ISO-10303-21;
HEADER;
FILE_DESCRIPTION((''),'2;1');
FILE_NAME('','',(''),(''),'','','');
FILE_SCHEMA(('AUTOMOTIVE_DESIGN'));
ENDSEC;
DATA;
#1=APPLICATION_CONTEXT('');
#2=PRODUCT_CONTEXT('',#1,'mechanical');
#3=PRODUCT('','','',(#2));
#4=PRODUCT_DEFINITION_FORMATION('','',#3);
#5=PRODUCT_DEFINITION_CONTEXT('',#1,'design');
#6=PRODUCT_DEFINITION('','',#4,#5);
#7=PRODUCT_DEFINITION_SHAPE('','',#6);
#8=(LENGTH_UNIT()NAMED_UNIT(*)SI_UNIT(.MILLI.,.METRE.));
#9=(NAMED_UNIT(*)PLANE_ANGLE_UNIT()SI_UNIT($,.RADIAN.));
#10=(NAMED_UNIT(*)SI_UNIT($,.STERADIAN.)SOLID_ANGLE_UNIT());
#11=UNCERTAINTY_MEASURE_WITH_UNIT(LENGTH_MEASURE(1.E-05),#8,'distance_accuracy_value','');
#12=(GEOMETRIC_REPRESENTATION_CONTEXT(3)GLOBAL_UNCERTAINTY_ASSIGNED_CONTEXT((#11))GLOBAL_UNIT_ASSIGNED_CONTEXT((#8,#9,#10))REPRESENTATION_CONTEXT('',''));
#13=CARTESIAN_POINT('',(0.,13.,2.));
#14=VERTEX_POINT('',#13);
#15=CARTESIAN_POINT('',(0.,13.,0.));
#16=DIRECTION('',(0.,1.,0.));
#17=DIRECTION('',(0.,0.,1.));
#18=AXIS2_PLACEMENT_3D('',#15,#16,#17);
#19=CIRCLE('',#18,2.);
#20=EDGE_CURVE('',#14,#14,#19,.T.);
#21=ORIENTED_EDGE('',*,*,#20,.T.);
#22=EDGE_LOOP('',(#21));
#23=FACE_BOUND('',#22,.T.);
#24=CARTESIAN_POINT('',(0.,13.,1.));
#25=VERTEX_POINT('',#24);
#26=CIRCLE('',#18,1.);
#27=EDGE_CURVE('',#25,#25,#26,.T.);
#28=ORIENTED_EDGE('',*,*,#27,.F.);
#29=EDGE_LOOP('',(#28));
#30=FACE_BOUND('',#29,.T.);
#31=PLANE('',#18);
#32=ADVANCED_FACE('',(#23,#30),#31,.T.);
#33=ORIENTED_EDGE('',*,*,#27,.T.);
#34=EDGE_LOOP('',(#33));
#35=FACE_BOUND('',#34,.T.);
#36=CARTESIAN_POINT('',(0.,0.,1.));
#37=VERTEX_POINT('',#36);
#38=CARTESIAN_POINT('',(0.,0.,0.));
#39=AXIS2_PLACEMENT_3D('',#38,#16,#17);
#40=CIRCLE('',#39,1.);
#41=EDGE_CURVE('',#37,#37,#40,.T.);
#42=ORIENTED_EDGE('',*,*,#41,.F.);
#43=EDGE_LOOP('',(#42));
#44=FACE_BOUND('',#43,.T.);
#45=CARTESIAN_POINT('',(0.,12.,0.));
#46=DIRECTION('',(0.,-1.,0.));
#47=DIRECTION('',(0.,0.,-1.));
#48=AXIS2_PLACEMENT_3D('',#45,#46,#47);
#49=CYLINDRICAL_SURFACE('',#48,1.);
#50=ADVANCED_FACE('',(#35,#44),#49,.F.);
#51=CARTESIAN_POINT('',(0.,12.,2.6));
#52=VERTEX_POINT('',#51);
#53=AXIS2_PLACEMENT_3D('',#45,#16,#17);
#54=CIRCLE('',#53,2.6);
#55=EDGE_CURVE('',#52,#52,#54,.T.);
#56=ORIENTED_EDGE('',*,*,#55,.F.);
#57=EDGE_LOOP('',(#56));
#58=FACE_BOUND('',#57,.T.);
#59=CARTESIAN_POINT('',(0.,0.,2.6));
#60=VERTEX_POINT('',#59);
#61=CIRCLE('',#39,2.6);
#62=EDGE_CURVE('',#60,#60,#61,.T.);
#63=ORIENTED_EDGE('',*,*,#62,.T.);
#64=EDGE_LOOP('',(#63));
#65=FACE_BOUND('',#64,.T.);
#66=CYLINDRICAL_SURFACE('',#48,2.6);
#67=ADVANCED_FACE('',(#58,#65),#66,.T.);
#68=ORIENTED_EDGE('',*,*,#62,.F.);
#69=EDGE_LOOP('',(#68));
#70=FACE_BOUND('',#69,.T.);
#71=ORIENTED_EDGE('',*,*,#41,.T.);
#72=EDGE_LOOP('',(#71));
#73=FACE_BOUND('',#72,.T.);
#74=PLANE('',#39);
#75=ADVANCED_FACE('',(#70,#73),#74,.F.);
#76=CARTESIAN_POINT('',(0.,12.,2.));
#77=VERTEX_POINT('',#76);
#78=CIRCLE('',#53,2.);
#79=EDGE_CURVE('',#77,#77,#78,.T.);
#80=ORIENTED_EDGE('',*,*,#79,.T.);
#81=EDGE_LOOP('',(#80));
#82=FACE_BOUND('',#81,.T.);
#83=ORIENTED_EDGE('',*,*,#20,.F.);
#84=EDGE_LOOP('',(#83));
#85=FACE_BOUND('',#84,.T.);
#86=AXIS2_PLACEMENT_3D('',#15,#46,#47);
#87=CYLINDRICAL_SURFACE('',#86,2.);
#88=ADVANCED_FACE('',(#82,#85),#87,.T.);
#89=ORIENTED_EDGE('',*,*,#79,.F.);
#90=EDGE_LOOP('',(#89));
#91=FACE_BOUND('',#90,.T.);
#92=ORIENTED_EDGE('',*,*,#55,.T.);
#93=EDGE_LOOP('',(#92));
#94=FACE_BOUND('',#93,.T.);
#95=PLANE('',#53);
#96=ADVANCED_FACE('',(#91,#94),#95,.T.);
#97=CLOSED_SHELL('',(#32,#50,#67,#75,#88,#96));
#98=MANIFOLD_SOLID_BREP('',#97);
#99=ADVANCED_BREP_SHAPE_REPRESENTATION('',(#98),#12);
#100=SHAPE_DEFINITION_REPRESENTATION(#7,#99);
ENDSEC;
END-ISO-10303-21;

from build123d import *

# Parameters (mm, degrees)
SKETCH_1_R      = 2.6
SKETCH_1_R_2    = 1
EXTRUDE_1_DEPTH = 12
SKETCH_3_R      = 2
SKETCH_3_R_2    = 1
EXTRUDE_2_DEPTH = 1


with BuildPart() as part:
    # Эскиз1 → Бобышка-Вытянуть1 (new body)
    with BuildSketch(Plane(origin=(0, 0, 0), x_dir=(1, 0, 0), z_dir=(0, 1, 0))):
        with Locations(Location((0, 0, 0), (0, 0, 270))):
            Circle(SKETCH_1_R)
        with Locations(Location((0, 0, 0), (0, 0, 270))):
            Circle(SKETCH_1_R_2, mode=Mode.SUBTRACT)
    extrude(amount=EXTRUDE_1_DEPTH)

    # Эскиз3 → Бобышка-Вытянуть2 (add)
    with BuildSketch(Plane(origin=(0, 12, 0), x_dir=(1, 0, 0), z_dir=(0, 1, 0))):
        with Locations(Location((0, 0, 0), (0, 0, 270))):
            Circle(SKETCH_3_R)
        with Locations(Location((0, 0, 0), (0, 0, 270))):
            Circle(SKETCH_3_R_2, mode=Mode.SUBTRACT)
    extrude(amount=EXTRUDE_2_DEPTH)


solid = part.part
